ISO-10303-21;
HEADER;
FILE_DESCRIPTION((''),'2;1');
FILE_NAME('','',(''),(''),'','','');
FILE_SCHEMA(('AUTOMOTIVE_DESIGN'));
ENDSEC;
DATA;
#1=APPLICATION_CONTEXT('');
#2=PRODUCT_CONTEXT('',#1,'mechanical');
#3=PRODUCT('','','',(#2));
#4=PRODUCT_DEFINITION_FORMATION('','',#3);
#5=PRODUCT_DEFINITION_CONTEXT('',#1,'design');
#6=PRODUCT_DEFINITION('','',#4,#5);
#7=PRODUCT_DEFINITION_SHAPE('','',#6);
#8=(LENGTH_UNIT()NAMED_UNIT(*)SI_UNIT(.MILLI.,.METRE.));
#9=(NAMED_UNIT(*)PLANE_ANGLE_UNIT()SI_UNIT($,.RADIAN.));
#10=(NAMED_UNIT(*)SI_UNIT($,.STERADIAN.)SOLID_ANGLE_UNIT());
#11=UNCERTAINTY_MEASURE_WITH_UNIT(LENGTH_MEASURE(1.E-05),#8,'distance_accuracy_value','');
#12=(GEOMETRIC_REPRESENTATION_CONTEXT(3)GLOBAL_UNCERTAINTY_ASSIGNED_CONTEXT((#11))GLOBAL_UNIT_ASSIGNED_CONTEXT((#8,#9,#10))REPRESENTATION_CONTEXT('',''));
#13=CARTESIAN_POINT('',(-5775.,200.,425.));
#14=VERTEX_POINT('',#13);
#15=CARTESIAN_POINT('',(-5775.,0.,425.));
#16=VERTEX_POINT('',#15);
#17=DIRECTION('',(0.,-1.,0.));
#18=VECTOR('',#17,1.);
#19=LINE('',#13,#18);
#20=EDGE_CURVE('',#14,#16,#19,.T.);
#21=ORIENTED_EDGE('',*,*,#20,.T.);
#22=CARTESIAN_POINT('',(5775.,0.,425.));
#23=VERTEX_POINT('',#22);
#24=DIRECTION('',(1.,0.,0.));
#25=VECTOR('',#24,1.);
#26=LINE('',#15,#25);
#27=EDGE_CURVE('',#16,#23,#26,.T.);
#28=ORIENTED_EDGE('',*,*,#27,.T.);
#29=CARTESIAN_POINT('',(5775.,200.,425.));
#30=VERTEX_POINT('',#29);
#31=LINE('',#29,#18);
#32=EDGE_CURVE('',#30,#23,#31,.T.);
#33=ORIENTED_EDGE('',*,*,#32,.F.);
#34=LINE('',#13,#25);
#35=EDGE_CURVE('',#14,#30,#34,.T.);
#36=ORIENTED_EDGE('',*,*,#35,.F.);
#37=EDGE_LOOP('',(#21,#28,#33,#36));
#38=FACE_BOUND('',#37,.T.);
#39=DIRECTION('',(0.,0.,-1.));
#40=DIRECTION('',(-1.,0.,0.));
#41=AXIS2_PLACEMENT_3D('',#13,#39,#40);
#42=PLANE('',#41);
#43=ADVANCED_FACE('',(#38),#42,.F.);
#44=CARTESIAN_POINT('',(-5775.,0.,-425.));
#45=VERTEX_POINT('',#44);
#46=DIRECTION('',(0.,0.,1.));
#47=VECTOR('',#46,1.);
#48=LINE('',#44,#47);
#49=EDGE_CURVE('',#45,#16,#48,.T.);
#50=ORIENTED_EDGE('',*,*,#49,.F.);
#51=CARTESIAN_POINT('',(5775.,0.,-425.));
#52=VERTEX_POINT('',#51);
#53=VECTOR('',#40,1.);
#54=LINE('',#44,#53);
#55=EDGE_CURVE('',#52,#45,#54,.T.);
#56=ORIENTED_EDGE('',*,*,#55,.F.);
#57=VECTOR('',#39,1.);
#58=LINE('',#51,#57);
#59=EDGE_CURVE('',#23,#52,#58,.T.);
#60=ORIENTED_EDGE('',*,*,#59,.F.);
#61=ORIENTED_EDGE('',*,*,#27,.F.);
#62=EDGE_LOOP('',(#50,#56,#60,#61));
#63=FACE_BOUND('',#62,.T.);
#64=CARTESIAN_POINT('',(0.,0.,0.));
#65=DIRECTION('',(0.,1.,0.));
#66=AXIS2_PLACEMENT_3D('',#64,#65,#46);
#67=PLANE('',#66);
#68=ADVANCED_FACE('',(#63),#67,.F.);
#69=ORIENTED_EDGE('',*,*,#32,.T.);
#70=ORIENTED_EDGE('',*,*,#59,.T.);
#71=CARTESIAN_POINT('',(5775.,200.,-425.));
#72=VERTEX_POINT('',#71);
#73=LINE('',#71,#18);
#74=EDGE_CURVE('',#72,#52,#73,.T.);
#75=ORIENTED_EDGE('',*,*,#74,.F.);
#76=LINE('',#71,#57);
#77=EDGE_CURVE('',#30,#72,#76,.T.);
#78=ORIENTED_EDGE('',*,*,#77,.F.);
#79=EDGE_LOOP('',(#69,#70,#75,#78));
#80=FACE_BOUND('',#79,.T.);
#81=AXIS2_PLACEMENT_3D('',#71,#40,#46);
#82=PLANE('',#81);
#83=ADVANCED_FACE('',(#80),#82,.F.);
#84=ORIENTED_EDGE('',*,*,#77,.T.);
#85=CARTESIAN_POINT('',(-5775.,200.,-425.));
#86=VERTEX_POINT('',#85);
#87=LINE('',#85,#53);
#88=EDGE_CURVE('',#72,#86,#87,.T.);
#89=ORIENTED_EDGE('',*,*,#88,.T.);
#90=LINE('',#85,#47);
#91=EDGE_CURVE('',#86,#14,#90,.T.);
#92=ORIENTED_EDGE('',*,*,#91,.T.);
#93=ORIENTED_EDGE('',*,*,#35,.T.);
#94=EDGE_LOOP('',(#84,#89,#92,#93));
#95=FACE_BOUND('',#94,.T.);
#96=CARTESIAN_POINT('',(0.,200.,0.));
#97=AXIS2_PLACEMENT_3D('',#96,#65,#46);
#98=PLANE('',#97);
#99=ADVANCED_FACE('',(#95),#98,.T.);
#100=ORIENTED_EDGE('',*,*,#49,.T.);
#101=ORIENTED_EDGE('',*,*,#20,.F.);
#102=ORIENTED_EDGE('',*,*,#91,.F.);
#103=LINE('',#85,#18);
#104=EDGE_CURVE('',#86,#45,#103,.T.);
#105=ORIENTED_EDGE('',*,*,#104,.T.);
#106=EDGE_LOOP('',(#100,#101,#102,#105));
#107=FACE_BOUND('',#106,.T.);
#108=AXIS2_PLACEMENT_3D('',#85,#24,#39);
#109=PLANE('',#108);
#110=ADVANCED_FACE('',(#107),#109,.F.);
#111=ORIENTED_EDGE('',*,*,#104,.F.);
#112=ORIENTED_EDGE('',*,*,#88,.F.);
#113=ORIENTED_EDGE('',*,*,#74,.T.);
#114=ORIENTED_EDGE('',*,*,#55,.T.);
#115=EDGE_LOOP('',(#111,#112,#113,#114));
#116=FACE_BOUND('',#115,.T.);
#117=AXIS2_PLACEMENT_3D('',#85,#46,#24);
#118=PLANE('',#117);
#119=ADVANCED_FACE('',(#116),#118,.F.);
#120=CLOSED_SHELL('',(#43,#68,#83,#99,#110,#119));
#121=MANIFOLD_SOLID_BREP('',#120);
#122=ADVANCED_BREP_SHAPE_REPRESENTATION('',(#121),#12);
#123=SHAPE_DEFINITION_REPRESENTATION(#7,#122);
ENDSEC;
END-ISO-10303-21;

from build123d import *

# Parameters (mm, degrees)
SKETCH_1_W      = 11550
SKETCH_1_H      = 850
EXTRUDE_1_DEPTH = 200


with BuildPart() as part:
    # 草圖1 → 填料-伸長1 (new body)
    with BuildSketch(Plane(origin=(0, 0, 0), x_dir=(1, 0, 0), z_dir=(0, 1, 0))):
        Rectangle(SKETCH_1_W, SKETCH_1_H)
    extrude(amount=EXTRUDE_1_DEPTH)


solid = part.part
